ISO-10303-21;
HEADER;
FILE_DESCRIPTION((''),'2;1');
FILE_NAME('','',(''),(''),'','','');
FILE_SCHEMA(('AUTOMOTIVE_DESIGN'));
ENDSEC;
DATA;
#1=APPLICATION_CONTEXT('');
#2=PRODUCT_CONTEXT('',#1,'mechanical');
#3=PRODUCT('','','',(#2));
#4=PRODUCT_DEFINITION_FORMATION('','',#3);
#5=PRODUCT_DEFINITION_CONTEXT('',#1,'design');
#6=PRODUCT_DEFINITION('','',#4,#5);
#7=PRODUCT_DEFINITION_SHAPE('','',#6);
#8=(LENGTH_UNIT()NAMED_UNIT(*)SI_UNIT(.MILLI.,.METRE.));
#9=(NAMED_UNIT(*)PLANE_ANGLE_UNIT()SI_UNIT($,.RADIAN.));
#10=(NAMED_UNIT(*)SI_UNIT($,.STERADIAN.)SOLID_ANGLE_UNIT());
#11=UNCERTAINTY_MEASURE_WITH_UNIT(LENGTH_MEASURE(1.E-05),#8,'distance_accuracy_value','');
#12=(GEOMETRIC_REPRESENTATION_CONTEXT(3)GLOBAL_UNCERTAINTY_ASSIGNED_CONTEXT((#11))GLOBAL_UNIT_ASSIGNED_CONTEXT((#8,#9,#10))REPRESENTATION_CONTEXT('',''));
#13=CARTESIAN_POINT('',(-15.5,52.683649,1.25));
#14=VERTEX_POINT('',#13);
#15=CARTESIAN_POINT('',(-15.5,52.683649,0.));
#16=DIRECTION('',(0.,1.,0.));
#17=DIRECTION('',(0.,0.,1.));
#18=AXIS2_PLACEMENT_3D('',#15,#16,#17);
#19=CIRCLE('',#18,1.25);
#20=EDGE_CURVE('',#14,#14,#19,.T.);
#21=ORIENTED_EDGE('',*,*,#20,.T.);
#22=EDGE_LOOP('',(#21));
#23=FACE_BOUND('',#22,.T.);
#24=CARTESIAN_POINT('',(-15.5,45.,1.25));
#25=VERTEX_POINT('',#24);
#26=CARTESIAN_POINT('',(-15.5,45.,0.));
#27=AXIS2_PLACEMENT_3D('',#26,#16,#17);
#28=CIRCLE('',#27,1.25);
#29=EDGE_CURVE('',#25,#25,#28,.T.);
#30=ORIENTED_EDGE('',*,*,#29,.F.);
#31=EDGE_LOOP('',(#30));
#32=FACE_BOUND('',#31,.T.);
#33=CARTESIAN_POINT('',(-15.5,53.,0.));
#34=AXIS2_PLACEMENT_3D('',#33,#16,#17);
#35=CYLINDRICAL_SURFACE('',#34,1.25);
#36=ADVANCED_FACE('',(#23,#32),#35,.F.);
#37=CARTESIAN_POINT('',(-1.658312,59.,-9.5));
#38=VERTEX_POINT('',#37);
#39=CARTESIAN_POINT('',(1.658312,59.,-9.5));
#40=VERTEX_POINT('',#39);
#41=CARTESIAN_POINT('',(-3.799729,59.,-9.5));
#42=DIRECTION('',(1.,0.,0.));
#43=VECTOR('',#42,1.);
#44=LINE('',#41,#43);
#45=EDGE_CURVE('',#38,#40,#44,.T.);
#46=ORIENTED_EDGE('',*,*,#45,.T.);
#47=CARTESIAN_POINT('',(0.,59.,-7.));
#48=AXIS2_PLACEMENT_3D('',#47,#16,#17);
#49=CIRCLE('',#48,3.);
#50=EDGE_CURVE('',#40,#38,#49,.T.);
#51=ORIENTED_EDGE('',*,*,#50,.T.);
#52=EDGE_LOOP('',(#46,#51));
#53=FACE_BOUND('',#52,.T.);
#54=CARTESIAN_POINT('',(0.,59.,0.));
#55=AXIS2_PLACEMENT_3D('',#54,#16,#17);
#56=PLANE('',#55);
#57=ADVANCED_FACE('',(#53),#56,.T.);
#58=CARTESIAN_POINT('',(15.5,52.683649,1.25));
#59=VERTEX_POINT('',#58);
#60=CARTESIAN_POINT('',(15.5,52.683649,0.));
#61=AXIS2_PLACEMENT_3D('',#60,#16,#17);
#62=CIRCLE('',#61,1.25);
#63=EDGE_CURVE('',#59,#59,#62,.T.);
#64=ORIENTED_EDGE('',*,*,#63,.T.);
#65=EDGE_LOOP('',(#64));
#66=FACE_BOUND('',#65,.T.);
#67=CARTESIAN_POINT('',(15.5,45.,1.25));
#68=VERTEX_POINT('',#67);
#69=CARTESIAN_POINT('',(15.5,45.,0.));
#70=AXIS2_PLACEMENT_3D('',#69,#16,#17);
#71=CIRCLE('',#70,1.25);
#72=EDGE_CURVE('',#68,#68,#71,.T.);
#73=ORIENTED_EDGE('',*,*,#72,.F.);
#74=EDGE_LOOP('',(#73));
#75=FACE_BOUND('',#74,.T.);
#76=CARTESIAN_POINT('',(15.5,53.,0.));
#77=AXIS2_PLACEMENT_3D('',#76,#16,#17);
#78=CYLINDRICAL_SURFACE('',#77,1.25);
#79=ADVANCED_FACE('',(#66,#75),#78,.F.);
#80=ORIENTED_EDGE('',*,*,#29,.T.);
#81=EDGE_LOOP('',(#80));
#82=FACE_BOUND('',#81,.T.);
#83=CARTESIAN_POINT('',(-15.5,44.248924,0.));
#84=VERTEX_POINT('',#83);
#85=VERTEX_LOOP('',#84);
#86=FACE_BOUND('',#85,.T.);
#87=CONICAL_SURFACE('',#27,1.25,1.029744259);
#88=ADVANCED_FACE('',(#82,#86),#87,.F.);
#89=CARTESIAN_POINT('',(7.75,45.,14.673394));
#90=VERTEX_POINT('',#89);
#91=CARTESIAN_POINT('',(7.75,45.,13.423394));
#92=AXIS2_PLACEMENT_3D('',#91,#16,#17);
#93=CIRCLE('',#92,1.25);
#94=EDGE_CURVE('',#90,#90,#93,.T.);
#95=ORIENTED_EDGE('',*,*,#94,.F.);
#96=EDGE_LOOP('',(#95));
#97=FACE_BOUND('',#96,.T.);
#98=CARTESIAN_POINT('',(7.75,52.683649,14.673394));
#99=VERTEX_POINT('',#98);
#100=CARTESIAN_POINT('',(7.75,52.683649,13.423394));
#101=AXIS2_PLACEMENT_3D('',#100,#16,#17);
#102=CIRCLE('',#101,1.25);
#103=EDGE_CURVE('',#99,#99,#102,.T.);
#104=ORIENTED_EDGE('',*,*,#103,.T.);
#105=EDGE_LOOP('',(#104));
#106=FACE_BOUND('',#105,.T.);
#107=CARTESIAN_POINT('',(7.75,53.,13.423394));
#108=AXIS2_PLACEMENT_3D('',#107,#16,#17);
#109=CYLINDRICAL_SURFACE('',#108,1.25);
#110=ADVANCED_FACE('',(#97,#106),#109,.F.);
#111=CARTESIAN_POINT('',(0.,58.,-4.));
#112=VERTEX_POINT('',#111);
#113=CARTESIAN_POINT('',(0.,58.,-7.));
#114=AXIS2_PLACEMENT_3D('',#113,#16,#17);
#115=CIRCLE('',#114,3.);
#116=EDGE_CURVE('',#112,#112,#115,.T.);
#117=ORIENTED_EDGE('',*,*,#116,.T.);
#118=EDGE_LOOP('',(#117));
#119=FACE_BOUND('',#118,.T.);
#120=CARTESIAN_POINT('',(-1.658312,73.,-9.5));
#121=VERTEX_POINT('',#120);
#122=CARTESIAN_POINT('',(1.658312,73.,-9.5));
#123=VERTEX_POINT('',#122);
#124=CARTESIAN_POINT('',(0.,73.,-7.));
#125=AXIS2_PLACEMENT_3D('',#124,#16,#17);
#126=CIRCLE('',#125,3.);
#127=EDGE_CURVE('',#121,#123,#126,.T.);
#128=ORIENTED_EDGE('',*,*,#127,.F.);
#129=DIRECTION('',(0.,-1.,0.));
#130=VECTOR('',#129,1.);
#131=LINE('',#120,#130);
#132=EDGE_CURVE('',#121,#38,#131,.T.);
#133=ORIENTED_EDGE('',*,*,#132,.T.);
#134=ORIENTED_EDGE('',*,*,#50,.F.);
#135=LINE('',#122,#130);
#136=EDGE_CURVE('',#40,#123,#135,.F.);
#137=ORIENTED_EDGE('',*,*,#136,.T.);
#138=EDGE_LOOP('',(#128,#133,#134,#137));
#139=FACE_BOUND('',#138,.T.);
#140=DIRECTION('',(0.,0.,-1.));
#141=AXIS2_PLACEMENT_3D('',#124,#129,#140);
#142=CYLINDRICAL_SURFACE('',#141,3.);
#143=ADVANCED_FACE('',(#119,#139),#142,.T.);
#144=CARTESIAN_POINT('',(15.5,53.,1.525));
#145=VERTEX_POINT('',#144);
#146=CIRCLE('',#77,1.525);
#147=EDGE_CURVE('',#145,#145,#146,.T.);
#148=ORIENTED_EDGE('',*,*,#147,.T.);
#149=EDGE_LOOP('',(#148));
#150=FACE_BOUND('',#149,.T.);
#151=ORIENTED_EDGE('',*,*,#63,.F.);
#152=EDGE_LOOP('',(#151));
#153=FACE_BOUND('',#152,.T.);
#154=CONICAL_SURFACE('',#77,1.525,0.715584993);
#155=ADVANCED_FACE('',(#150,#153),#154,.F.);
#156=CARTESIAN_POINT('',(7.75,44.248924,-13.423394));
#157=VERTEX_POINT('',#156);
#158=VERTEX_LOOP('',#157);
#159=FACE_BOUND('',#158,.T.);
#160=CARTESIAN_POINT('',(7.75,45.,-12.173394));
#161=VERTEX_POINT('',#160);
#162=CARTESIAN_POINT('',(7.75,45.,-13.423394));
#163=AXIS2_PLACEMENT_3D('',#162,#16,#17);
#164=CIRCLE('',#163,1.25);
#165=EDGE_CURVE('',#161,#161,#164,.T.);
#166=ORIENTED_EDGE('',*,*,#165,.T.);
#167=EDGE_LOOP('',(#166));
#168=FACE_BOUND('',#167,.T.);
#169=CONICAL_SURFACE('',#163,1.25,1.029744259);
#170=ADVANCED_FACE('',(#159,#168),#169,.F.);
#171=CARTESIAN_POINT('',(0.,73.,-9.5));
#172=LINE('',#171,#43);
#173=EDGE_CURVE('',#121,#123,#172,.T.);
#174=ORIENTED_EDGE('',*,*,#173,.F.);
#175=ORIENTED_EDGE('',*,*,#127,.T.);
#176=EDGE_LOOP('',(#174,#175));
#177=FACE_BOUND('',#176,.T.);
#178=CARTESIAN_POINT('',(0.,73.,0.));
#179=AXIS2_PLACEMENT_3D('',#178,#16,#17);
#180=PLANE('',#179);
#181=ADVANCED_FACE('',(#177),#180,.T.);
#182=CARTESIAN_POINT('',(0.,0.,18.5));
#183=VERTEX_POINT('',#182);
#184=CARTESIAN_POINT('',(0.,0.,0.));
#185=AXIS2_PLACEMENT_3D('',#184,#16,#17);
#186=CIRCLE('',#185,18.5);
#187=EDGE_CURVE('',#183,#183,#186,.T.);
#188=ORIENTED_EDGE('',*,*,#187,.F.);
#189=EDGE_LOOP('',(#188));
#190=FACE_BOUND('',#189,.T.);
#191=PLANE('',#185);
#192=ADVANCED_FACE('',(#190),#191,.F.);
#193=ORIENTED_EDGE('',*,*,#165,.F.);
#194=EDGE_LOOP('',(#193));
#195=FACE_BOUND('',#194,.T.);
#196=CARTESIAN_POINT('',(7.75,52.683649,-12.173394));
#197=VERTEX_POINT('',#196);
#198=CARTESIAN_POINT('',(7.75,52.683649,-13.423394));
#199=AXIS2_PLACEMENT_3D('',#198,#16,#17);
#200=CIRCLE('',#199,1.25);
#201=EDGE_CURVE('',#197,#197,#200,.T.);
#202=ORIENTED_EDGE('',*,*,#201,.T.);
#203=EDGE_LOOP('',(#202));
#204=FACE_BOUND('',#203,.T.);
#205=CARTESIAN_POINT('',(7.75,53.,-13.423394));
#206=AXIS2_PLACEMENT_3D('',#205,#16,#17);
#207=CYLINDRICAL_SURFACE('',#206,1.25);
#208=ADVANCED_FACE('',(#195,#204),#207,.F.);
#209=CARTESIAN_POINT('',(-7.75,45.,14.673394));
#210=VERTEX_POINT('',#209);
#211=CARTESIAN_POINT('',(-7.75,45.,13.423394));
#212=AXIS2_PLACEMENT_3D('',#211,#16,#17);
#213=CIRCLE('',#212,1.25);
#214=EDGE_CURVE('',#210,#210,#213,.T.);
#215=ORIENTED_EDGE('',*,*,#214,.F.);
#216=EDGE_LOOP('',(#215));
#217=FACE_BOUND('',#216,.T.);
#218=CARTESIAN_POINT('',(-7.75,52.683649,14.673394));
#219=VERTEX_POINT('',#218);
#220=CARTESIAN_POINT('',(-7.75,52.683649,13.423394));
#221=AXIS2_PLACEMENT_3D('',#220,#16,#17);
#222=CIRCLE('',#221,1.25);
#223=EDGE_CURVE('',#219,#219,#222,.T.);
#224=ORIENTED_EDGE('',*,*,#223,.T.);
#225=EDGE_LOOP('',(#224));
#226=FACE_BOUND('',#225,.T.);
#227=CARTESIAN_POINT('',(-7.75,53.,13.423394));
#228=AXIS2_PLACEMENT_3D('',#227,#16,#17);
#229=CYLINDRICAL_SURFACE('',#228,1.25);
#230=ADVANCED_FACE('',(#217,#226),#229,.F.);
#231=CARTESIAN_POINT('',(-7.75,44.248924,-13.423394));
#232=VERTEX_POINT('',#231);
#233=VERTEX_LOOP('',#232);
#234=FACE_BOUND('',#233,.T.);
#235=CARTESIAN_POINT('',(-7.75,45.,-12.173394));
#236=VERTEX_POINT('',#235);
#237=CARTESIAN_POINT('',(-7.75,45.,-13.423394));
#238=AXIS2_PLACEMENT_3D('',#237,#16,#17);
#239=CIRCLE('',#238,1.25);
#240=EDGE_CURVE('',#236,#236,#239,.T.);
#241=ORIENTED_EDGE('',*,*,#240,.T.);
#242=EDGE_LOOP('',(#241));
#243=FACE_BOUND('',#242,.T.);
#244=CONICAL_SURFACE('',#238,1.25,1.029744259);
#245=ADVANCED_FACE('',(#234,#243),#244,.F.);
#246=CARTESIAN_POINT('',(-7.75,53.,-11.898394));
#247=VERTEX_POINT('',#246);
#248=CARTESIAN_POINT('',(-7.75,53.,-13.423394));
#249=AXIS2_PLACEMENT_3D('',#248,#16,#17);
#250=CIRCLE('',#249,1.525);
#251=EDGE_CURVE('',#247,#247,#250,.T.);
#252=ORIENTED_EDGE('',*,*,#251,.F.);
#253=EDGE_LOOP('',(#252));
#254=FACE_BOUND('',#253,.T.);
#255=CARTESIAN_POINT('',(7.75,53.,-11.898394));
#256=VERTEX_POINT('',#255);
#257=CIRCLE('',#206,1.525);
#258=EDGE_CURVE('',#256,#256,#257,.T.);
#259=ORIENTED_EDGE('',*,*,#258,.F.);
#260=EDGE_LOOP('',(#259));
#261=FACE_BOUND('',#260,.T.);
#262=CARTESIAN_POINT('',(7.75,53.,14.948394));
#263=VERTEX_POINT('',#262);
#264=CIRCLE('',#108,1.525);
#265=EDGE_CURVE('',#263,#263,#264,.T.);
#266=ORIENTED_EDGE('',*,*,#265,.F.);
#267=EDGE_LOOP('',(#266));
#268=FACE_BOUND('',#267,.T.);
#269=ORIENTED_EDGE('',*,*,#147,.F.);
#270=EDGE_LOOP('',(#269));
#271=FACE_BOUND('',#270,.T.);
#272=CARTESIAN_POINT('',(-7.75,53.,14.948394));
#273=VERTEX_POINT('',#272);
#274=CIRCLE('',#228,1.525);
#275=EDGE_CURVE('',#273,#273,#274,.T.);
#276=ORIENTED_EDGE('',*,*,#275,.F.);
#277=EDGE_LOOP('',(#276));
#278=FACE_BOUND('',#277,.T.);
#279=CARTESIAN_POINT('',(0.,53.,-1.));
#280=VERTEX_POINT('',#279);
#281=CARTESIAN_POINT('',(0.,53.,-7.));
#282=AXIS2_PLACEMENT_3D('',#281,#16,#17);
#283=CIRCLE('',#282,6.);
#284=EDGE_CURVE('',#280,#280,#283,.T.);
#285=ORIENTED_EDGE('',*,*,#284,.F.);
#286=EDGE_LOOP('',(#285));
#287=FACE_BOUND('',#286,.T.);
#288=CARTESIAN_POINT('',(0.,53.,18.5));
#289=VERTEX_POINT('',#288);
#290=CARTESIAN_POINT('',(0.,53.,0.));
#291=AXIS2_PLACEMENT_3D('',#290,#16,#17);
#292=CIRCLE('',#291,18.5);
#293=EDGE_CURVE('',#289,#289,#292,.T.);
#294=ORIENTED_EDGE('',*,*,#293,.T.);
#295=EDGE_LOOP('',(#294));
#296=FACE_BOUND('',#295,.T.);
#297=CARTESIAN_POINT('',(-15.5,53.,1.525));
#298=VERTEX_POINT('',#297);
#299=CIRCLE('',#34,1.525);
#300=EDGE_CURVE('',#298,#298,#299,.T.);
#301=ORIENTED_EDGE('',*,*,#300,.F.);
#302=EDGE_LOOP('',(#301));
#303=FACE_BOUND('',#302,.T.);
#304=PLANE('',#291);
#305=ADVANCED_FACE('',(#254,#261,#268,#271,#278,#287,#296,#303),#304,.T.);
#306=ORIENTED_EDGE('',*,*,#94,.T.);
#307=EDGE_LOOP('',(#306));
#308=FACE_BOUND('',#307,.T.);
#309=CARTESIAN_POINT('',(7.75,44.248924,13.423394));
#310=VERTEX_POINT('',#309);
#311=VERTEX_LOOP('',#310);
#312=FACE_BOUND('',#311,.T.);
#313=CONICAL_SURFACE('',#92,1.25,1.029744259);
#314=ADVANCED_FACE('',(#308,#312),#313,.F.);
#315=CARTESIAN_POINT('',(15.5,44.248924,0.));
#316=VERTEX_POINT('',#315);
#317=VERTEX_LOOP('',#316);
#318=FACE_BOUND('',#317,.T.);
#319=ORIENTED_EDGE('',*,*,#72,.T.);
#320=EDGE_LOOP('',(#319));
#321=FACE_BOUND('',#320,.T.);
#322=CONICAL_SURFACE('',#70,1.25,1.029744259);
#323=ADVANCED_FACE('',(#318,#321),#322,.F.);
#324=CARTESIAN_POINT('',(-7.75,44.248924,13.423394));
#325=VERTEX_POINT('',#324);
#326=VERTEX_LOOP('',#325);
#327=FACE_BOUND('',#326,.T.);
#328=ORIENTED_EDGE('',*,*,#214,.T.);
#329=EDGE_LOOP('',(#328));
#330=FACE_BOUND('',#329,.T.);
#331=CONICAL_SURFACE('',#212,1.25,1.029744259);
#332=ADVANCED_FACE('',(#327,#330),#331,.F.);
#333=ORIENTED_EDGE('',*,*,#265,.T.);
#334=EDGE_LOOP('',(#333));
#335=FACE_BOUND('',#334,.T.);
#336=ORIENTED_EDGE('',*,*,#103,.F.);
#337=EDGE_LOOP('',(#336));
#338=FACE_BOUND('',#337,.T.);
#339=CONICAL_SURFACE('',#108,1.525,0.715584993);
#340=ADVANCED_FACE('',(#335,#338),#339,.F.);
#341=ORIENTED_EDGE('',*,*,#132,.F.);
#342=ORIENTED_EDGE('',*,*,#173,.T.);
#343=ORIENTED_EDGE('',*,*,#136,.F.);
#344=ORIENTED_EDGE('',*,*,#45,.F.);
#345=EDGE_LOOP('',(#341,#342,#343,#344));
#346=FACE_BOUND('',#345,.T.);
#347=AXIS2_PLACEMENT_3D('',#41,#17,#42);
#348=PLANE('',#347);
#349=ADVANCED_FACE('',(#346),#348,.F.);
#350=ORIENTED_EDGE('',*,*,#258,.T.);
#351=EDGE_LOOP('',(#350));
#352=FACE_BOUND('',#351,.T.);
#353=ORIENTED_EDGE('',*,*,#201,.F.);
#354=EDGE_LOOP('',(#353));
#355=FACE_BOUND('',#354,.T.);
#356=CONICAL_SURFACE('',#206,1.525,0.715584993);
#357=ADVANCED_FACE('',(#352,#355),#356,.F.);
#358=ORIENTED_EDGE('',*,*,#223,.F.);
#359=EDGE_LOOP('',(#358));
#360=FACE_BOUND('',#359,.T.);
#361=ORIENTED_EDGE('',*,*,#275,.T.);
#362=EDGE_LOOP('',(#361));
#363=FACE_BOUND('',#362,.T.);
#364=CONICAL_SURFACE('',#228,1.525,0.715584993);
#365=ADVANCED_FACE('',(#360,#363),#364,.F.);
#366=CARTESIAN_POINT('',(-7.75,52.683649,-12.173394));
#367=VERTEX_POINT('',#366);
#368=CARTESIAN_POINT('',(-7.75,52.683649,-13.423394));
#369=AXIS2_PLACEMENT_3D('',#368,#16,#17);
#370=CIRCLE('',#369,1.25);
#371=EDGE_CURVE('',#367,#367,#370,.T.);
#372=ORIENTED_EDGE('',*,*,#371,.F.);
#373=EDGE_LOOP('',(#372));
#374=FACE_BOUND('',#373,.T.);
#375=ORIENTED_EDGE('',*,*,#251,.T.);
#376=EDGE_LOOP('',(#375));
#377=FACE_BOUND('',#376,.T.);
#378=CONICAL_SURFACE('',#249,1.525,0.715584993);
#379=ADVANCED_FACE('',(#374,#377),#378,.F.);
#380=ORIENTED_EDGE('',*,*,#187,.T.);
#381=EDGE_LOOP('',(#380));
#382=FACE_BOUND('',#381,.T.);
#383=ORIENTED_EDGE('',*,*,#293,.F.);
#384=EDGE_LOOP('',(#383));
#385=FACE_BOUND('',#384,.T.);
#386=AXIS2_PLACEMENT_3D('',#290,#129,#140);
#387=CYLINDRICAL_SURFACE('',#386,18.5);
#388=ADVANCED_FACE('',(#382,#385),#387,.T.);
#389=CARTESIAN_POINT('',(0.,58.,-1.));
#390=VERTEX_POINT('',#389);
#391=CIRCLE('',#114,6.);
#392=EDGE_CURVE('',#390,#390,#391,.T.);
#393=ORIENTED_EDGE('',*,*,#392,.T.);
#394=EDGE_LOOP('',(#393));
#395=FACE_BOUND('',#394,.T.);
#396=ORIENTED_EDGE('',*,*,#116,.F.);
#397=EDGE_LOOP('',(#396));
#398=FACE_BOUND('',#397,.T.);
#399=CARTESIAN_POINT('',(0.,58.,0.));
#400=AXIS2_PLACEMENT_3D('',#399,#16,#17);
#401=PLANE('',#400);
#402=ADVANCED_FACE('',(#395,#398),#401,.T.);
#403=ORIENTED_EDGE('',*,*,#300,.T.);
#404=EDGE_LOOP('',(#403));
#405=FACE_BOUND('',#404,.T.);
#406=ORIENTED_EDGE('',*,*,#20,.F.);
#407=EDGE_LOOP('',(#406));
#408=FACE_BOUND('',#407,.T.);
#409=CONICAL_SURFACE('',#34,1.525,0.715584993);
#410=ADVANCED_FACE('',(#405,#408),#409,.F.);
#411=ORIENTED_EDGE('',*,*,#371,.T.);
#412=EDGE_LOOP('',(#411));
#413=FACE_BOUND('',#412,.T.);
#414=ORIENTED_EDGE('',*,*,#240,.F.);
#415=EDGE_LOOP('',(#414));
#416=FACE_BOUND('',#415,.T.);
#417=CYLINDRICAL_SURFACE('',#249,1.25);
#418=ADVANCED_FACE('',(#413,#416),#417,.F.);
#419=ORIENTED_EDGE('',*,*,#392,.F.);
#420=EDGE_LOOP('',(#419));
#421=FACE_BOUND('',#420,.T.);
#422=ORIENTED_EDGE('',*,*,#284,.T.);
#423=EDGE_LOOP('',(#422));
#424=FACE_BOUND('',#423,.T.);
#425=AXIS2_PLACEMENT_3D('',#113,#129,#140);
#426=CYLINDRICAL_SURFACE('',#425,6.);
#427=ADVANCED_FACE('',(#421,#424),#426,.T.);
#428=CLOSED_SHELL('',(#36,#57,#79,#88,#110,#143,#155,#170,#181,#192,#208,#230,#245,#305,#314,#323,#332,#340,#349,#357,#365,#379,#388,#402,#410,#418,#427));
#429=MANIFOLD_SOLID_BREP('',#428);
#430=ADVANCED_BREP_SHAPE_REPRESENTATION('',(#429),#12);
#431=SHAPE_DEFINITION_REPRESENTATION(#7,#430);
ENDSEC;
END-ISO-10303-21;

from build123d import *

# Parameters (mm, degrees)
SKETCH1_R           = 18.5
BOSS_EXTRUDE1_DEPTH = 53
SKETCH2_R           = 6
SKETCH2_R_2         = 3
BOSS_EXTRUDE2_DEPTH = 5
SKETCH2_3_R         = 3
BOSS_EXTRUDE3_DEPTH = 20
SKETCH4_W           = 9.457424045
SKETCH4_H           = 2.618978966
CUT_EXTRUDE1_DEPTH  = 14
CIRPATTERN1_COUNT   = 6


with BuildPart() as part:
    # Sketch1 → Boss-Extrude1 (new body)
    with BuildSketch(Plane(origin=(0, 0, 0), x_dir=(1, 0, 0), z_dir=(0, 1, 0))):
        Circle(SKETCH1_R)
    extrude(amount=BOSS_EXTRUDE1_DEPTH)

    # Sketch2 → Boss-Extrude2 (add)
    with BuildSketch(Plane(origin=(0, 53, 0), x_dir=(1, 0, 0), z_dir=(0, 1, 0))):
        with Locations((0, 7)):
            Circle(SKETCH2_R)
        with Locations((0, 7)):
            Circle(SKETCH2_R_2, mode=Mode.SUBTRACT)
    extrude(amount=BOSS_EXTRUDE2_DEPTH)

    # Sketch2<3> → Boss-Extrude3 (add)
    with BuildSketch(Plane(origin=(0, 53, 0), x_dir=(1, 0, 0), z_dir=(0, 1, 0))):
        with Locations((0, 7)):
            Circle(SKETCH2_3_R)
    extrude(amount=BOSS_EXTRUDE3_DEPTH)

    # Sketch4 → Cut-Extrude1 (cut)
    with BuildSketch(Plane(origin=(0, 73, 0), x_dir=(1, 0, 0), z_dir=(0, 1, 0))):
        with Locations((0.928983292, 10.809489483)):
            Rectangle(SKETCH4_W, SKETCH4_H)
    extrude(amount=-CUT_EXTRUDE1_DEPTH, mode=Mode.SUBTRACT)

    # Sketch7 → M3x0.5 Tapped Hole1 (revolve, cut)
    with BuildSketch(Plane(origin=(7.75, 53, -13.423393759), x_dir=(0, 0, 1), z_dir=(1, 0, 0))):
        Polygon((0, 0), (0, 8.751075774), (1.25, 8), (1.25, 0.316351312), (1.525, 0), align=None)
    m3x0_5_tapped_hole1 = revolve(axis=Axis((7.75, 59.35, -13.423393759), (0, -1, 0)), mode=Mode.SUBTRACT)

    # CirPattern1: M3x0.5 Tapped Hole1 ×6 about axis
    cirpattern1_axis = Axis((0, 53, 0), (0, 1, 0))
    for i in range(1, CIRPATTERN1_COUNT):
        add(m3x0_5_tapped_hole1.rotate(cirpattern1_axis, i * 360 / CIRPATTERN1_COUNT), mode=Mode.SUBTRACT)


solid = part.part
